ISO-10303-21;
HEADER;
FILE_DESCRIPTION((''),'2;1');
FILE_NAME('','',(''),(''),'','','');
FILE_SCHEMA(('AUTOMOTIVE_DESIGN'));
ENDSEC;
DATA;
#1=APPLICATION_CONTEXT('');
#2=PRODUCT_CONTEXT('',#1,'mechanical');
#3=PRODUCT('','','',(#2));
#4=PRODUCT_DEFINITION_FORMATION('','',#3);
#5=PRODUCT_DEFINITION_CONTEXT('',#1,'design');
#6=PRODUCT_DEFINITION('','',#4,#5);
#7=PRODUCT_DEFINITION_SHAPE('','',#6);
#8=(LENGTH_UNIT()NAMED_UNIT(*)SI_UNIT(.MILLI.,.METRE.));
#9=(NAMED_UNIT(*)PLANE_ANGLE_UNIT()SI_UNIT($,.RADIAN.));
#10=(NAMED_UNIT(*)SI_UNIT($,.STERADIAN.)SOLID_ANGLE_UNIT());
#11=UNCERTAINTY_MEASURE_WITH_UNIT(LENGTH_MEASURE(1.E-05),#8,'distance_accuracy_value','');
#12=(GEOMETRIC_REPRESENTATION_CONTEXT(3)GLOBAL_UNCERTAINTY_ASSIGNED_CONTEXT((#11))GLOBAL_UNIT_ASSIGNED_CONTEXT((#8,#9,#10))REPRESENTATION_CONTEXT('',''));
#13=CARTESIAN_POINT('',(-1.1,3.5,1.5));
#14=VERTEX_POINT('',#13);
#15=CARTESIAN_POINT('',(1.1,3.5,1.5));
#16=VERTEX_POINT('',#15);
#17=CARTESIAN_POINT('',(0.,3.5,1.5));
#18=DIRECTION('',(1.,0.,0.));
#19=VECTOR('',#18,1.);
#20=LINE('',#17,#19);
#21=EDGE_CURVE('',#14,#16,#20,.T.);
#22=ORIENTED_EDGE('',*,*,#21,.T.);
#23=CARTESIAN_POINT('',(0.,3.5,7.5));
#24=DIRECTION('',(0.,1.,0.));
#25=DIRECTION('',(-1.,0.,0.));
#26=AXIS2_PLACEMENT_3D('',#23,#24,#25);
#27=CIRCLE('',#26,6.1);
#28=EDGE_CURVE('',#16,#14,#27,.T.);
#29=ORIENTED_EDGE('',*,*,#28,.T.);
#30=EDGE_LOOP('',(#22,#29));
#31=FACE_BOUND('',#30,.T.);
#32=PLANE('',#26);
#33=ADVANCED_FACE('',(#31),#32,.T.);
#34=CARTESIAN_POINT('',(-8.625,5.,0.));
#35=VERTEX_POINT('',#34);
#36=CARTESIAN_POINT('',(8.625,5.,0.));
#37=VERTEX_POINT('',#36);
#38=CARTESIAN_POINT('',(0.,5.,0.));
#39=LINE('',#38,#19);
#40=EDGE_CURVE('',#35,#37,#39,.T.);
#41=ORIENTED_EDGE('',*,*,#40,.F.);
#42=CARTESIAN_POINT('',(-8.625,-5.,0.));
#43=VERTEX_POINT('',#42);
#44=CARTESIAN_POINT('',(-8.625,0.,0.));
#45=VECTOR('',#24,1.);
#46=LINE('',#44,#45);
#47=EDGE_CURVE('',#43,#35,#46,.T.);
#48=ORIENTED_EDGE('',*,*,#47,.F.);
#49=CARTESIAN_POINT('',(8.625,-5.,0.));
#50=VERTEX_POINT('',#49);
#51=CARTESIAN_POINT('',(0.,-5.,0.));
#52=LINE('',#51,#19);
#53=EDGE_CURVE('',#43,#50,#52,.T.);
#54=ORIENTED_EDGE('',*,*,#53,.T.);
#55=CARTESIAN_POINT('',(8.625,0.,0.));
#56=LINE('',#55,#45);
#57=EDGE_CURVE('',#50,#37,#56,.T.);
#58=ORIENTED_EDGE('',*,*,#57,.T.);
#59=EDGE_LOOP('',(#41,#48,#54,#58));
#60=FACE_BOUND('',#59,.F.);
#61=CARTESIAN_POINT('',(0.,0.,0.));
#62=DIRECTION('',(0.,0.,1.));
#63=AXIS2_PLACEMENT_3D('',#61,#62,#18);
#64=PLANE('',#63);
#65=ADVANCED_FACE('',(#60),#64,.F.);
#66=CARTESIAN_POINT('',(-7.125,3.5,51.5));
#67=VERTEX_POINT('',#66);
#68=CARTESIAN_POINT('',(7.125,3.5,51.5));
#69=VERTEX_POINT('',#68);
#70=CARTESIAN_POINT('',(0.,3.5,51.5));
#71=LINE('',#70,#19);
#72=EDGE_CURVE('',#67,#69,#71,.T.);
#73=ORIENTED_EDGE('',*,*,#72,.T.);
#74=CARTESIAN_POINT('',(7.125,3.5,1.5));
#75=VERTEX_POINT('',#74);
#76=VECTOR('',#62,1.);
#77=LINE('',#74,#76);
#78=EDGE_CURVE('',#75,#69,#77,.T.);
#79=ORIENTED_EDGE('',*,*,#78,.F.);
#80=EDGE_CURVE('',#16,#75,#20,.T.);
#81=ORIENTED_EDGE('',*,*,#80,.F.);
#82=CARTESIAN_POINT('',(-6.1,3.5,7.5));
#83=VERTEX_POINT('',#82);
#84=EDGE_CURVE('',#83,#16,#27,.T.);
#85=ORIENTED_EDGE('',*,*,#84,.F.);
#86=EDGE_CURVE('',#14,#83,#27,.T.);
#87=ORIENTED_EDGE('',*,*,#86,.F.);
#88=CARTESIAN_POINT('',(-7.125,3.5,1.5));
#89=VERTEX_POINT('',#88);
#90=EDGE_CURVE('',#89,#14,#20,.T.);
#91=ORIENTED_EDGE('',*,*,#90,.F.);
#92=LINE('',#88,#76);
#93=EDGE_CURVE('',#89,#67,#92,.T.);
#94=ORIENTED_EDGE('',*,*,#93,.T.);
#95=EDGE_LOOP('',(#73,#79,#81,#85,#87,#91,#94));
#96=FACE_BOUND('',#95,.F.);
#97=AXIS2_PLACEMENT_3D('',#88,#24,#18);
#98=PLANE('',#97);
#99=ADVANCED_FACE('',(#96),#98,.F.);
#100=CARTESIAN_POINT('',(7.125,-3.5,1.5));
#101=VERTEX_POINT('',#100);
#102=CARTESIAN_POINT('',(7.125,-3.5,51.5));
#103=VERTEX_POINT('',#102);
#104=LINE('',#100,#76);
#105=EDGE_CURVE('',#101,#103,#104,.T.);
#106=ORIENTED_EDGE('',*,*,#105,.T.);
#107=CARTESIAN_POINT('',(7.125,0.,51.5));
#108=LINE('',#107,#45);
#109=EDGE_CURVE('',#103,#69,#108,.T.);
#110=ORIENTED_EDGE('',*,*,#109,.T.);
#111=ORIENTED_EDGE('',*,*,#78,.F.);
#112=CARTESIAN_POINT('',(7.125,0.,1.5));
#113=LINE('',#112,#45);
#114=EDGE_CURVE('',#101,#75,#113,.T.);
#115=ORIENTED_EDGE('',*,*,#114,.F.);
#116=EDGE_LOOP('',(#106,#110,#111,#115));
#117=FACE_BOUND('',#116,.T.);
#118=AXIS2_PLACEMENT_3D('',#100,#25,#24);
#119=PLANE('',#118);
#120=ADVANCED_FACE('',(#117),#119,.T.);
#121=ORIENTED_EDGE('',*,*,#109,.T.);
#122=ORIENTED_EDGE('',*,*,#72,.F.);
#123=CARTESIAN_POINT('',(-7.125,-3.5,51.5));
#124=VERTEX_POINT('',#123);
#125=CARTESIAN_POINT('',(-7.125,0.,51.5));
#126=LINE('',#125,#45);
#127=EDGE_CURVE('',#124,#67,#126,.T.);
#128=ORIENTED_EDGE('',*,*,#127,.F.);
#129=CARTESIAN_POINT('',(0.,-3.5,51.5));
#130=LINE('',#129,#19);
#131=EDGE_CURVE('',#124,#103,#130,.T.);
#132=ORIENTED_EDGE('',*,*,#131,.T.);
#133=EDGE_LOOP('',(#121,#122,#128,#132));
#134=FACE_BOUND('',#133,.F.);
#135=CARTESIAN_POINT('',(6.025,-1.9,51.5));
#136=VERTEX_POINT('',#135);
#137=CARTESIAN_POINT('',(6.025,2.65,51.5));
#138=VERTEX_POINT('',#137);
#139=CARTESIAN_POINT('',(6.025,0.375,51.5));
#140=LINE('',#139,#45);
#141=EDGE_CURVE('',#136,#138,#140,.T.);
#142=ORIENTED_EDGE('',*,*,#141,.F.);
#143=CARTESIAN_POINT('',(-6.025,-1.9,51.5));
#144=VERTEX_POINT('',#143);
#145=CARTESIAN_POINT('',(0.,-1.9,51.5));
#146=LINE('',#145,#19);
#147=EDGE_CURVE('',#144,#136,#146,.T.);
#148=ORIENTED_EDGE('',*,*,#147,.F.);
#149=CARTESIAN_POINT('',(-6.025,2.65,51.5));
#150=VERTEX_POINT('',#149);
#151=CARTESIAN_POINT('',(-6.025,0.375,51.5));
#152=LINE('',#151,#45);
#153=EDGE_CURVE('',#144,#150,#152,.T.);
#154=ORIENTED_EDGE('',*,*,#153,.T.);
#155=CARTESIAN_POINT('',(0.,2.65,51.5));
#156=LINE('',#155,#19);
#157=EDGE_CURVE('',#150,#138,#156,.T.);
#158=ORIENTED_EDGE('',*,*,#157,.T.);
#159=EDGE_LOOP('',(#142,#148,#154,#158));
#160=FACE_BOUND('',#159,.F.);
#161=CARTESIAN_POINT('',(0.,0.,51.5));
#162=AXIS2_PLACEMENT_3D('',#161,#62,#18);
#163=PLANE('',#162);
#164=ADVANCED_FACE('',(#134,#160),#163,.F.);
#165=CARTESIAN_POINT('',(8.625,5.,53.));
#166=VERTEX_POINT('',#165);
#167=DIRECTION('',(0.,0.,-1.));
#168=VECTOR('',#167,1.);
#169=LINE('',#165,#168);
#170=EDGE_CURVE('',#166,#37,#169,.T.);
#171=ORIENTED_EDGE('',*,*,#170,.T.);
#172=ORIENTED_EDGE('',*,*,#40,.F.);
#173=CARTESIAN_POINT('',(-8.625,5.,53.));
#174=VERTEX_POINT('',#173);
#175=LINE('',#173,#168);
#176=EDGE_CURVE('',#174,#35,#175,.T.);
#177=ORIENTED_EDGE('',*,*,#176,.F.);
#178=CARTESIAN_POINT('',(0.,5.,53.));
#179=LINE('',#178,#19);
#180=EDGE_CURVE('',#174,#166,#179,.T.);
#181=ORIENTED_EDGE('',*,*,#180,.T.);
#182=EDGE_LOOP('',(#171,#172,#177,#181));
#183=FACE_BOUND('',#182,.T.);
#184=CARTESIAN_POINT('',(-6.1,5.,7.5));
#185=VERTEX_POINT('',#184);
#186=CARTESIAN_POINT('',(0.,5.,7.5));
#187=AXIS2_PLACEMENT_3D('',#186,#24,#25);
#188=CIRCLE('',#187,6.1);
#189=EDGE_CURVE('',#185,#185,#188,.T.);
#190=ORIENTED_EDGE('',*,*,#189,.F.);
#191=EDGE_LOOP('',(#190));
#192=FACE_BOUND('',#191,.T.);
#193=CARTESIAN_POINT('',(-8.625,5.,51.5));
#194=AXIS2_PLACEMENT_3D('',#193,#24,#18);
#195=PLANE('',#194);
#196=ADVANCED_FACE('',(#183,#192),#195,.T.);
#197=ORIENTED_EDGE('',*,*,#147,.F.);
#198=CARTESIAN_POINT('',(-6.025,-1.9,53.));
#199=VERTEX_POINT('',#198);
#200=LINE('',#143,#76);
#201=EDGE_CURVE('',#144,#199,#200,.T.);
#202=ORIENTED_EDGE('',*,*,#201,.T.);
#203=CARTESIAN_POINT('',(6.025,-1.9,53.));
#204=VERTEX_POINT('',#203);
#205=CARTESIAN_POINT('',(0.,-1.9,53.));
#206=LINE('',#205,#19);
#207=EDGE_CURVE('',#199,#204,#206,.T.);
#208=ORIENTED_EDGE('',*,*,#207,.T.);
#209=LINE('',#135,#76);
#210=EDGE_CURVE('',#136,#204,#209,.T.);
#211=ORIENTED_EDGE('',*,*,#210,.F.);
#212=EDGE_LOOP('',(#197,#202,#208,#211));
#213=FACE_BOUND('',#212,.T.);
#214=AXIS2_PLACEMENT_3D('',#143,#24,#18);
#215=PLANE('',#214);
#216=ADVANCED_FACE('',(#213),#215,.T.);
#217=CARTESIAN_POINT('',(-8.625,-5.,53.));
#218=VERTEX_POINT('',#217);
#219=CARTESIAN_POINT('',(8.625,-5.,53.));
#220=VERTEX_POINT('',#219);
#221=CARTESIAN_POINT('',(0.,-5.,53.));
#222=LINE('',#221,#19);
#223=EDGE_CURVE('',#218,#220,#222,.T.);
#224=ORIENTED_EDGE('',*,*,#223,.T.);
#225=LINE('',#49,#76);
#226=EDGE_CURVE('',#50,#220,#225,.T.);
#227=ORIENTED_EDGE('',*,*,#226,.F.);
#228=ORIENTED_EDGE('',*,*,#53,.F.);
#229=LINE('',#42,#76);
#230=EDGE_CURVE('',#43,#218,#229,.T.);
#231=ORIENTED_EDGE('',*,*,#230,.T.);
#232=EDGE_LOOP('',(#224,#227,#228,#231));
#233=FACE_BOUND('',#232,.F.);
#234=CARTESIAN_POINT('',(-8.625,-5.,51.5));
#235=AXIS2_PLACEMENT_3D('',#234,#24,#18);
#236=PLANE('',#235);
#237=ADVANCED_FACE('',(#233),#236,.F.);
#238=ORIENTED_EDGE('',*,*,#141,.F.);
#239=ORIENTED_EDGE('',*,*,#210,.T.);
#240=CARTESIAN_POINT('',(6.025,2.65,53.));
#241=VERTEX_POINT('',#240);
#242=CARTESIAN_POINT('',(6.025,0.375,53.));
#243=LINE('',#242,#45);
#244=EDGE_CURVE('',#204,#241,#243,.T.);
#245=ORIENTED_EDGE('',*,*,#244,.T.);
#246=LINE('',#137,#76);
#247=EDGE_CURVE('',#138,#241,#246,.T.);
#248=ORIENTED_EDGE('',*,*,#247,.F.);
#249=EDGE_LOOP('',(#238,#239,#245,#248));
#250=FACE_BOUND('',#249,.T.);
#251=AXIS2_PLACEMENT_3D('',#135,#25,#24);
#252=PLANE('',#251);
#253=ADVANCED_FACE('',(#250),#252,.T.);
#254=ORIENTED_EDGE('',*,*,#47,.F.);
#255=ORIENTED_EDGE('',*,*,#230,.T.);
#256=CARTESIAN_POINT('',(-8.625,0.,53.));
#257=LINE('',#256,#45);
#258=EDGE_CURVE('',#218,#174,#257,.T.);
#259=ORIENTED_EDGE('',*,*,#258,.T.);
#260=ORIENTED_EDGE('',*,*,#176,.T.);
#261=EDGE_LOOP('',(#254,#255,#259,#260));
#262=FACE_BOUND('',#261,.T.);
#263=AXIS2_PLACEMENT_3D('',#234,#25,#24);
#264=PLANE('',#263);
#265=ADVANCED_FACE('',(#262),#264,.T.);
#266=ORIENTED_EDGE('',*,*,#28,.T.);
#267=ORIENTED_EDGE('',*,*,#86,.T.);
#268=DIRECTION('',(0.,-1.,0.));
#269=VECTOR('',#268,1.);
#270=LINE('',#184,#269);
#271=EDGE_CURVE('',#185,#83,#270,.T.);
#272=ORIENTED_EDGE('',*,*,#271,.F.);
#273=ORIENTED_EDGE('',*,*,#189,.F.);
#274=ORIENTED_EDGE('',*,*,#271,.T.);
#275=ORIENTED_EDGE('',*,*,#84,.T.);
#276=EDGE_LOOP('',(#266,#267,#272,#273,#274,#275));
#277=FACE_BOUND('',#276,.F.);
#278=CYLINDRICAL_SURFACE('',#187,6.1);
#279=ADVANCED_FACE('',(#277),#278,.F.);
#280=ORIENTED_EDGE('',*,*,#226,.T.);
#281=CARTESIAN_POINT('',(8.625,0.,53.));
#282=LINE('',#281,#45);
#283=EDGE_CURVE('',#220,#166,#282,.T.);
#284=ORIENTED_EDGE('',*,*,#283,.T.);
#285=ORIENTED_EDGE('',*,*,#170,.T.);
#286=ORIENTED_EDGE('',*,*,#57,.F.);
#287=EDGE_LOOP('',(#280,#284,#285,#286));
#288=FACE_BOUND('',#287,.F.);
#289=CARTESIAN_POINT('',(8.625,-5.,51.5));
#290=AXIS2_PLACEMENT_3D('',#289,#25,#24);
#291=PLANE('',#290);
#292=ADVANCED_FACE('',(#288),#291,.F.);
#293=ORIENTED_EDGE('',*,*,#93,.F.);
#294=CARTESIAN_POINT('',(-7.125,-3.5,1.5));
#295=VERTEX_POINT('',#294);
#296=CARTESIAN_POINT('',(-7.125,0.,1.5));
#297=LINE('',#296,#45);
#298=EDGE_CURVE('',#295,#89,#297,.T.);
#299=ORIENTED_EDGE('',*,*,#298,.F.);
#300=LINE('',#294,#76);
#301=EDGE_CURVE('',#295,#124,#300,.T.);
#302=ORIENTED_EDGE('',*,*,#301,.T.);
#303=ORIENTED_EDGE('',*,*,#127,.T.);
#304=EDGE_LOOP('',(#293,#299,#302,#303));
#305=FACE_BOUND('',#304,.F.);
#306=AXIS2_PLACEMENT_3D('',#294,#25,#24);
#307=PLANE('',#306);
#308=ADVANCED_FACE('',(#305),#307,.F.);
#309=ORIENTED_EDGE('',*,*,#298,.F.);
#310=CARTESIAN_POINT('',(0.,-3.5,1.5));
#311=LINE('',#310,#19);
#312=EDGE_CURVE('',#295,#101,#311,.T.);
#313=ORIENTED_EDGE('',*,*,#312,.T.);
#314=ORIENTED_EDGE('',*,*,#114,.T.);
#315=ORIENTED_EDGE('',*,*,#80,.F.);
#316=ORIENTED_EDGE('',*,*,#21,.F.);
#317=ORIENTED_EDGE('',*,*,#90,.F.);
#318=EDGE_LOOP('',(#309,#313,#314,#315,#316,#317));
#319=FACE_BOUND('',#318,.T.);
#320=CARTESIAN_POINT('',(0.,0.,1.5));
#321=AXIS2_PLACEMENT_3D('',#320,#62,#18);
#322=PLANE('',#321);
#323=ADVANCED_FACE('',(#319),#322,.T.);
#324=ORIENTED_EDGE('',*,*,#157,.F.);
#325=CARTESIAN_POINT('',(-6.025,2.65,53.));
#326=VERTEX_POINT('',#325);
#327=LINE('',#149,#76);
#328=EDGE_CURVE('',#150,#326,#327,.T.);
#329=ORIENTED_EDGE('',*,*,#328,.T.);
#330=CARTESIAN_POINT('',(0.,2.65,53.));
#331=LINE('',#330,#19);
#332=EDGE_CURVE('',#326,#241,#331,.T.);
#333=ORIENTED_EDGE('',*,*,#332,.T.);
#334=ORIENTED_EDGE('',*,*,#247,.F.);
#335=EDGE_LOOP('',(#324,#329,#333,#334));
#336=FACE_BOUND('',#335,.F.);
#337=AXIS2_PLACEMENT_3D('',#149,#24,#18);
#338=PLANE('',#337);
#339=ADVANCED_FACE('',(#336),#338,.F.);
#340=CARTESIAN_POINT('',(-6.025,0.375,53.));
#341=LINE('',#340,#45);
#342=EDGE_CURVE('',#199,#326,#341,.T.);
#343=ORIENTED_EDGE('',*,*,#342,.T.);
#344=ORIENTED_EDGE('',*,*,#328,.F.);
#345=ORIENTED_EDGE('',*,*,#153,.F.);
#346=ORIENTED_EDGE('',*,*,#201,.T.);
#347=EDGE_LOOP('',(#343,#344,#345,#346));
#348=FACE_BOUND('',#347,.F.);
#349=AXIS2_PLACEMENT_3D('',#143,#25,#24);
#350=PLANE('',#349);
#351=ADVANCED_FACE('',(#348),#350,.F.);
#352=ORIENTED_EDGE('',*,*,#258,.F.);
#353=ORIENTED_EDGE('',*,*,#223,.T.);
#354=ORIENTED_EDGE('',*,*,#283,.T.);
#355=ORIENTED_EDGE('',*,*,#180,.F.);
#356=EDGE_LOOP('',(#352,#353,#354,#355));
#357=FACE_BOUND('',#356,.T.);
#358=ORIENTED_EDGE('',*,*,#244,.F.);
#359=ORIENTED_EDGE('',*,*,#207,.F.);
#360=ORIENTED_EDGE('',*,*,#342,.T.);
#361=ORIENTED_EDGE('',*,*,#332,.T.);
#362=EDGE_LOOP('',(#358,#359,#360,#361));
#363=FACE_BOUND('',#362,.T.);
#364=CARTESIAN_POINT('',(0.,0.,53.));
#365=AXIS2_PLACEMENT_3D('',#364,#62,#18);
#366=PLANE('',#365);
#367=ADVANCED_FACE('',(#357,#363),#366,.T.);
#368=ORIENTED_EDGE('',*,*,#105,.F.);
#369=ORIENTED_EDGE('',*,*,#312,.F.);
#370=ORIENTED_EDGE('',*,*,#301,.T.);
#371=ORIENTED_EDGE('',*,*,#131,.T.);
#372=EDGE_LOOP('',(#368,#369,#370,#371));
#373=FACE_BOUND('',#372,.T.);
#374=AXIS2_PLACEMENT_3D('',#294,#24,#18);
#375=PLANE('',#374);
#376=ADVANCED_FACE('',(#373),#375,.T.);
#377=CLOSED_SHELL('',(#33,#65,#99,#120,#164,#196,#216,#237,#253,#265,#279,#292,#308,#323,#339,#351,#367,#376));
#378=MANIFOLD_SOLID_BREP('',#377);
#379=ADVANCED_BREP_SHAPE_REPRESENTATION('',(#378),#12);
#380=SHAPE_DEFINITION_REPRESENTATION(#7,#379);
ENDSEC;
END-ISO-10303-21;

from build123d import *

# Parameters (mm, degrees)
SKETCH_W      = 17.25
SKETCH_H      = 10
PAD_DEPTH     = 1.5
SKETCH001_W   = 17.25
SKETCH001_H   = 10
SKETCH001_W_2 = 14.25
SKETCH001_H_2 = 7
PAD001_DEPTH  = 50
SKETCH002_R   = 6.1
POCKET_DEPTH  = 1.5
SKETCH003_W   = 17.25
SKETCH003_H   = 10
SKETCH003_W_2 = 12.05
SKETCH003_H_2 = 4.55
PAD002_DEPTH  = 1.5


with BuildPart() as part:
    # Sketch → Pad (new body)
    with BuildSketch(Plane.XY):
        Rectangle(SKETCH_W, SKETCH_H)
    extrude(amount=PAD_DEPTH)

    # Sketch001 (on Face6 of Pad) → Pad001 (join)
    with BuildSketch(Plane.XY.offset(1.5)):
        Rectangle(SKETCH001_W, SKETCH001_H)
        Rectangle(SKETCH001_W_2, SKETCH001_H_2, mode=Mode.SUBTRACT)
    extrude(amount=PAD001_DEPTH)

    # Sketch002 (on Face6 of Pad001) → Pocket (cut)
    with BuildSketch(Plane(origin=(0, 5, 0), x_dir=(-1, 0, 0), z_dir=(0, 1, 0))):
        with Locations((0, 7.5)):
            Circle(SKETCH002_R)
    extrude(amount=-POCKET_DEPTH, mode=Mode.SUBTRACT)

    # Sketch003 (on Face11 of Pocket) → Pad002 (join)
    with BuildSketch(Plane.XY.offset(51.5)):
        Rectangle(SKETCH003_W, SKETCH003_H)
        with Locations((0, 0.375)):
            Rectangle(SKETCH003_W_2, SKETCH003_H_2, mode=Mode.SUBTRACT)
    extrude(amount=PAD002_DEPTH)


solid = part.part
